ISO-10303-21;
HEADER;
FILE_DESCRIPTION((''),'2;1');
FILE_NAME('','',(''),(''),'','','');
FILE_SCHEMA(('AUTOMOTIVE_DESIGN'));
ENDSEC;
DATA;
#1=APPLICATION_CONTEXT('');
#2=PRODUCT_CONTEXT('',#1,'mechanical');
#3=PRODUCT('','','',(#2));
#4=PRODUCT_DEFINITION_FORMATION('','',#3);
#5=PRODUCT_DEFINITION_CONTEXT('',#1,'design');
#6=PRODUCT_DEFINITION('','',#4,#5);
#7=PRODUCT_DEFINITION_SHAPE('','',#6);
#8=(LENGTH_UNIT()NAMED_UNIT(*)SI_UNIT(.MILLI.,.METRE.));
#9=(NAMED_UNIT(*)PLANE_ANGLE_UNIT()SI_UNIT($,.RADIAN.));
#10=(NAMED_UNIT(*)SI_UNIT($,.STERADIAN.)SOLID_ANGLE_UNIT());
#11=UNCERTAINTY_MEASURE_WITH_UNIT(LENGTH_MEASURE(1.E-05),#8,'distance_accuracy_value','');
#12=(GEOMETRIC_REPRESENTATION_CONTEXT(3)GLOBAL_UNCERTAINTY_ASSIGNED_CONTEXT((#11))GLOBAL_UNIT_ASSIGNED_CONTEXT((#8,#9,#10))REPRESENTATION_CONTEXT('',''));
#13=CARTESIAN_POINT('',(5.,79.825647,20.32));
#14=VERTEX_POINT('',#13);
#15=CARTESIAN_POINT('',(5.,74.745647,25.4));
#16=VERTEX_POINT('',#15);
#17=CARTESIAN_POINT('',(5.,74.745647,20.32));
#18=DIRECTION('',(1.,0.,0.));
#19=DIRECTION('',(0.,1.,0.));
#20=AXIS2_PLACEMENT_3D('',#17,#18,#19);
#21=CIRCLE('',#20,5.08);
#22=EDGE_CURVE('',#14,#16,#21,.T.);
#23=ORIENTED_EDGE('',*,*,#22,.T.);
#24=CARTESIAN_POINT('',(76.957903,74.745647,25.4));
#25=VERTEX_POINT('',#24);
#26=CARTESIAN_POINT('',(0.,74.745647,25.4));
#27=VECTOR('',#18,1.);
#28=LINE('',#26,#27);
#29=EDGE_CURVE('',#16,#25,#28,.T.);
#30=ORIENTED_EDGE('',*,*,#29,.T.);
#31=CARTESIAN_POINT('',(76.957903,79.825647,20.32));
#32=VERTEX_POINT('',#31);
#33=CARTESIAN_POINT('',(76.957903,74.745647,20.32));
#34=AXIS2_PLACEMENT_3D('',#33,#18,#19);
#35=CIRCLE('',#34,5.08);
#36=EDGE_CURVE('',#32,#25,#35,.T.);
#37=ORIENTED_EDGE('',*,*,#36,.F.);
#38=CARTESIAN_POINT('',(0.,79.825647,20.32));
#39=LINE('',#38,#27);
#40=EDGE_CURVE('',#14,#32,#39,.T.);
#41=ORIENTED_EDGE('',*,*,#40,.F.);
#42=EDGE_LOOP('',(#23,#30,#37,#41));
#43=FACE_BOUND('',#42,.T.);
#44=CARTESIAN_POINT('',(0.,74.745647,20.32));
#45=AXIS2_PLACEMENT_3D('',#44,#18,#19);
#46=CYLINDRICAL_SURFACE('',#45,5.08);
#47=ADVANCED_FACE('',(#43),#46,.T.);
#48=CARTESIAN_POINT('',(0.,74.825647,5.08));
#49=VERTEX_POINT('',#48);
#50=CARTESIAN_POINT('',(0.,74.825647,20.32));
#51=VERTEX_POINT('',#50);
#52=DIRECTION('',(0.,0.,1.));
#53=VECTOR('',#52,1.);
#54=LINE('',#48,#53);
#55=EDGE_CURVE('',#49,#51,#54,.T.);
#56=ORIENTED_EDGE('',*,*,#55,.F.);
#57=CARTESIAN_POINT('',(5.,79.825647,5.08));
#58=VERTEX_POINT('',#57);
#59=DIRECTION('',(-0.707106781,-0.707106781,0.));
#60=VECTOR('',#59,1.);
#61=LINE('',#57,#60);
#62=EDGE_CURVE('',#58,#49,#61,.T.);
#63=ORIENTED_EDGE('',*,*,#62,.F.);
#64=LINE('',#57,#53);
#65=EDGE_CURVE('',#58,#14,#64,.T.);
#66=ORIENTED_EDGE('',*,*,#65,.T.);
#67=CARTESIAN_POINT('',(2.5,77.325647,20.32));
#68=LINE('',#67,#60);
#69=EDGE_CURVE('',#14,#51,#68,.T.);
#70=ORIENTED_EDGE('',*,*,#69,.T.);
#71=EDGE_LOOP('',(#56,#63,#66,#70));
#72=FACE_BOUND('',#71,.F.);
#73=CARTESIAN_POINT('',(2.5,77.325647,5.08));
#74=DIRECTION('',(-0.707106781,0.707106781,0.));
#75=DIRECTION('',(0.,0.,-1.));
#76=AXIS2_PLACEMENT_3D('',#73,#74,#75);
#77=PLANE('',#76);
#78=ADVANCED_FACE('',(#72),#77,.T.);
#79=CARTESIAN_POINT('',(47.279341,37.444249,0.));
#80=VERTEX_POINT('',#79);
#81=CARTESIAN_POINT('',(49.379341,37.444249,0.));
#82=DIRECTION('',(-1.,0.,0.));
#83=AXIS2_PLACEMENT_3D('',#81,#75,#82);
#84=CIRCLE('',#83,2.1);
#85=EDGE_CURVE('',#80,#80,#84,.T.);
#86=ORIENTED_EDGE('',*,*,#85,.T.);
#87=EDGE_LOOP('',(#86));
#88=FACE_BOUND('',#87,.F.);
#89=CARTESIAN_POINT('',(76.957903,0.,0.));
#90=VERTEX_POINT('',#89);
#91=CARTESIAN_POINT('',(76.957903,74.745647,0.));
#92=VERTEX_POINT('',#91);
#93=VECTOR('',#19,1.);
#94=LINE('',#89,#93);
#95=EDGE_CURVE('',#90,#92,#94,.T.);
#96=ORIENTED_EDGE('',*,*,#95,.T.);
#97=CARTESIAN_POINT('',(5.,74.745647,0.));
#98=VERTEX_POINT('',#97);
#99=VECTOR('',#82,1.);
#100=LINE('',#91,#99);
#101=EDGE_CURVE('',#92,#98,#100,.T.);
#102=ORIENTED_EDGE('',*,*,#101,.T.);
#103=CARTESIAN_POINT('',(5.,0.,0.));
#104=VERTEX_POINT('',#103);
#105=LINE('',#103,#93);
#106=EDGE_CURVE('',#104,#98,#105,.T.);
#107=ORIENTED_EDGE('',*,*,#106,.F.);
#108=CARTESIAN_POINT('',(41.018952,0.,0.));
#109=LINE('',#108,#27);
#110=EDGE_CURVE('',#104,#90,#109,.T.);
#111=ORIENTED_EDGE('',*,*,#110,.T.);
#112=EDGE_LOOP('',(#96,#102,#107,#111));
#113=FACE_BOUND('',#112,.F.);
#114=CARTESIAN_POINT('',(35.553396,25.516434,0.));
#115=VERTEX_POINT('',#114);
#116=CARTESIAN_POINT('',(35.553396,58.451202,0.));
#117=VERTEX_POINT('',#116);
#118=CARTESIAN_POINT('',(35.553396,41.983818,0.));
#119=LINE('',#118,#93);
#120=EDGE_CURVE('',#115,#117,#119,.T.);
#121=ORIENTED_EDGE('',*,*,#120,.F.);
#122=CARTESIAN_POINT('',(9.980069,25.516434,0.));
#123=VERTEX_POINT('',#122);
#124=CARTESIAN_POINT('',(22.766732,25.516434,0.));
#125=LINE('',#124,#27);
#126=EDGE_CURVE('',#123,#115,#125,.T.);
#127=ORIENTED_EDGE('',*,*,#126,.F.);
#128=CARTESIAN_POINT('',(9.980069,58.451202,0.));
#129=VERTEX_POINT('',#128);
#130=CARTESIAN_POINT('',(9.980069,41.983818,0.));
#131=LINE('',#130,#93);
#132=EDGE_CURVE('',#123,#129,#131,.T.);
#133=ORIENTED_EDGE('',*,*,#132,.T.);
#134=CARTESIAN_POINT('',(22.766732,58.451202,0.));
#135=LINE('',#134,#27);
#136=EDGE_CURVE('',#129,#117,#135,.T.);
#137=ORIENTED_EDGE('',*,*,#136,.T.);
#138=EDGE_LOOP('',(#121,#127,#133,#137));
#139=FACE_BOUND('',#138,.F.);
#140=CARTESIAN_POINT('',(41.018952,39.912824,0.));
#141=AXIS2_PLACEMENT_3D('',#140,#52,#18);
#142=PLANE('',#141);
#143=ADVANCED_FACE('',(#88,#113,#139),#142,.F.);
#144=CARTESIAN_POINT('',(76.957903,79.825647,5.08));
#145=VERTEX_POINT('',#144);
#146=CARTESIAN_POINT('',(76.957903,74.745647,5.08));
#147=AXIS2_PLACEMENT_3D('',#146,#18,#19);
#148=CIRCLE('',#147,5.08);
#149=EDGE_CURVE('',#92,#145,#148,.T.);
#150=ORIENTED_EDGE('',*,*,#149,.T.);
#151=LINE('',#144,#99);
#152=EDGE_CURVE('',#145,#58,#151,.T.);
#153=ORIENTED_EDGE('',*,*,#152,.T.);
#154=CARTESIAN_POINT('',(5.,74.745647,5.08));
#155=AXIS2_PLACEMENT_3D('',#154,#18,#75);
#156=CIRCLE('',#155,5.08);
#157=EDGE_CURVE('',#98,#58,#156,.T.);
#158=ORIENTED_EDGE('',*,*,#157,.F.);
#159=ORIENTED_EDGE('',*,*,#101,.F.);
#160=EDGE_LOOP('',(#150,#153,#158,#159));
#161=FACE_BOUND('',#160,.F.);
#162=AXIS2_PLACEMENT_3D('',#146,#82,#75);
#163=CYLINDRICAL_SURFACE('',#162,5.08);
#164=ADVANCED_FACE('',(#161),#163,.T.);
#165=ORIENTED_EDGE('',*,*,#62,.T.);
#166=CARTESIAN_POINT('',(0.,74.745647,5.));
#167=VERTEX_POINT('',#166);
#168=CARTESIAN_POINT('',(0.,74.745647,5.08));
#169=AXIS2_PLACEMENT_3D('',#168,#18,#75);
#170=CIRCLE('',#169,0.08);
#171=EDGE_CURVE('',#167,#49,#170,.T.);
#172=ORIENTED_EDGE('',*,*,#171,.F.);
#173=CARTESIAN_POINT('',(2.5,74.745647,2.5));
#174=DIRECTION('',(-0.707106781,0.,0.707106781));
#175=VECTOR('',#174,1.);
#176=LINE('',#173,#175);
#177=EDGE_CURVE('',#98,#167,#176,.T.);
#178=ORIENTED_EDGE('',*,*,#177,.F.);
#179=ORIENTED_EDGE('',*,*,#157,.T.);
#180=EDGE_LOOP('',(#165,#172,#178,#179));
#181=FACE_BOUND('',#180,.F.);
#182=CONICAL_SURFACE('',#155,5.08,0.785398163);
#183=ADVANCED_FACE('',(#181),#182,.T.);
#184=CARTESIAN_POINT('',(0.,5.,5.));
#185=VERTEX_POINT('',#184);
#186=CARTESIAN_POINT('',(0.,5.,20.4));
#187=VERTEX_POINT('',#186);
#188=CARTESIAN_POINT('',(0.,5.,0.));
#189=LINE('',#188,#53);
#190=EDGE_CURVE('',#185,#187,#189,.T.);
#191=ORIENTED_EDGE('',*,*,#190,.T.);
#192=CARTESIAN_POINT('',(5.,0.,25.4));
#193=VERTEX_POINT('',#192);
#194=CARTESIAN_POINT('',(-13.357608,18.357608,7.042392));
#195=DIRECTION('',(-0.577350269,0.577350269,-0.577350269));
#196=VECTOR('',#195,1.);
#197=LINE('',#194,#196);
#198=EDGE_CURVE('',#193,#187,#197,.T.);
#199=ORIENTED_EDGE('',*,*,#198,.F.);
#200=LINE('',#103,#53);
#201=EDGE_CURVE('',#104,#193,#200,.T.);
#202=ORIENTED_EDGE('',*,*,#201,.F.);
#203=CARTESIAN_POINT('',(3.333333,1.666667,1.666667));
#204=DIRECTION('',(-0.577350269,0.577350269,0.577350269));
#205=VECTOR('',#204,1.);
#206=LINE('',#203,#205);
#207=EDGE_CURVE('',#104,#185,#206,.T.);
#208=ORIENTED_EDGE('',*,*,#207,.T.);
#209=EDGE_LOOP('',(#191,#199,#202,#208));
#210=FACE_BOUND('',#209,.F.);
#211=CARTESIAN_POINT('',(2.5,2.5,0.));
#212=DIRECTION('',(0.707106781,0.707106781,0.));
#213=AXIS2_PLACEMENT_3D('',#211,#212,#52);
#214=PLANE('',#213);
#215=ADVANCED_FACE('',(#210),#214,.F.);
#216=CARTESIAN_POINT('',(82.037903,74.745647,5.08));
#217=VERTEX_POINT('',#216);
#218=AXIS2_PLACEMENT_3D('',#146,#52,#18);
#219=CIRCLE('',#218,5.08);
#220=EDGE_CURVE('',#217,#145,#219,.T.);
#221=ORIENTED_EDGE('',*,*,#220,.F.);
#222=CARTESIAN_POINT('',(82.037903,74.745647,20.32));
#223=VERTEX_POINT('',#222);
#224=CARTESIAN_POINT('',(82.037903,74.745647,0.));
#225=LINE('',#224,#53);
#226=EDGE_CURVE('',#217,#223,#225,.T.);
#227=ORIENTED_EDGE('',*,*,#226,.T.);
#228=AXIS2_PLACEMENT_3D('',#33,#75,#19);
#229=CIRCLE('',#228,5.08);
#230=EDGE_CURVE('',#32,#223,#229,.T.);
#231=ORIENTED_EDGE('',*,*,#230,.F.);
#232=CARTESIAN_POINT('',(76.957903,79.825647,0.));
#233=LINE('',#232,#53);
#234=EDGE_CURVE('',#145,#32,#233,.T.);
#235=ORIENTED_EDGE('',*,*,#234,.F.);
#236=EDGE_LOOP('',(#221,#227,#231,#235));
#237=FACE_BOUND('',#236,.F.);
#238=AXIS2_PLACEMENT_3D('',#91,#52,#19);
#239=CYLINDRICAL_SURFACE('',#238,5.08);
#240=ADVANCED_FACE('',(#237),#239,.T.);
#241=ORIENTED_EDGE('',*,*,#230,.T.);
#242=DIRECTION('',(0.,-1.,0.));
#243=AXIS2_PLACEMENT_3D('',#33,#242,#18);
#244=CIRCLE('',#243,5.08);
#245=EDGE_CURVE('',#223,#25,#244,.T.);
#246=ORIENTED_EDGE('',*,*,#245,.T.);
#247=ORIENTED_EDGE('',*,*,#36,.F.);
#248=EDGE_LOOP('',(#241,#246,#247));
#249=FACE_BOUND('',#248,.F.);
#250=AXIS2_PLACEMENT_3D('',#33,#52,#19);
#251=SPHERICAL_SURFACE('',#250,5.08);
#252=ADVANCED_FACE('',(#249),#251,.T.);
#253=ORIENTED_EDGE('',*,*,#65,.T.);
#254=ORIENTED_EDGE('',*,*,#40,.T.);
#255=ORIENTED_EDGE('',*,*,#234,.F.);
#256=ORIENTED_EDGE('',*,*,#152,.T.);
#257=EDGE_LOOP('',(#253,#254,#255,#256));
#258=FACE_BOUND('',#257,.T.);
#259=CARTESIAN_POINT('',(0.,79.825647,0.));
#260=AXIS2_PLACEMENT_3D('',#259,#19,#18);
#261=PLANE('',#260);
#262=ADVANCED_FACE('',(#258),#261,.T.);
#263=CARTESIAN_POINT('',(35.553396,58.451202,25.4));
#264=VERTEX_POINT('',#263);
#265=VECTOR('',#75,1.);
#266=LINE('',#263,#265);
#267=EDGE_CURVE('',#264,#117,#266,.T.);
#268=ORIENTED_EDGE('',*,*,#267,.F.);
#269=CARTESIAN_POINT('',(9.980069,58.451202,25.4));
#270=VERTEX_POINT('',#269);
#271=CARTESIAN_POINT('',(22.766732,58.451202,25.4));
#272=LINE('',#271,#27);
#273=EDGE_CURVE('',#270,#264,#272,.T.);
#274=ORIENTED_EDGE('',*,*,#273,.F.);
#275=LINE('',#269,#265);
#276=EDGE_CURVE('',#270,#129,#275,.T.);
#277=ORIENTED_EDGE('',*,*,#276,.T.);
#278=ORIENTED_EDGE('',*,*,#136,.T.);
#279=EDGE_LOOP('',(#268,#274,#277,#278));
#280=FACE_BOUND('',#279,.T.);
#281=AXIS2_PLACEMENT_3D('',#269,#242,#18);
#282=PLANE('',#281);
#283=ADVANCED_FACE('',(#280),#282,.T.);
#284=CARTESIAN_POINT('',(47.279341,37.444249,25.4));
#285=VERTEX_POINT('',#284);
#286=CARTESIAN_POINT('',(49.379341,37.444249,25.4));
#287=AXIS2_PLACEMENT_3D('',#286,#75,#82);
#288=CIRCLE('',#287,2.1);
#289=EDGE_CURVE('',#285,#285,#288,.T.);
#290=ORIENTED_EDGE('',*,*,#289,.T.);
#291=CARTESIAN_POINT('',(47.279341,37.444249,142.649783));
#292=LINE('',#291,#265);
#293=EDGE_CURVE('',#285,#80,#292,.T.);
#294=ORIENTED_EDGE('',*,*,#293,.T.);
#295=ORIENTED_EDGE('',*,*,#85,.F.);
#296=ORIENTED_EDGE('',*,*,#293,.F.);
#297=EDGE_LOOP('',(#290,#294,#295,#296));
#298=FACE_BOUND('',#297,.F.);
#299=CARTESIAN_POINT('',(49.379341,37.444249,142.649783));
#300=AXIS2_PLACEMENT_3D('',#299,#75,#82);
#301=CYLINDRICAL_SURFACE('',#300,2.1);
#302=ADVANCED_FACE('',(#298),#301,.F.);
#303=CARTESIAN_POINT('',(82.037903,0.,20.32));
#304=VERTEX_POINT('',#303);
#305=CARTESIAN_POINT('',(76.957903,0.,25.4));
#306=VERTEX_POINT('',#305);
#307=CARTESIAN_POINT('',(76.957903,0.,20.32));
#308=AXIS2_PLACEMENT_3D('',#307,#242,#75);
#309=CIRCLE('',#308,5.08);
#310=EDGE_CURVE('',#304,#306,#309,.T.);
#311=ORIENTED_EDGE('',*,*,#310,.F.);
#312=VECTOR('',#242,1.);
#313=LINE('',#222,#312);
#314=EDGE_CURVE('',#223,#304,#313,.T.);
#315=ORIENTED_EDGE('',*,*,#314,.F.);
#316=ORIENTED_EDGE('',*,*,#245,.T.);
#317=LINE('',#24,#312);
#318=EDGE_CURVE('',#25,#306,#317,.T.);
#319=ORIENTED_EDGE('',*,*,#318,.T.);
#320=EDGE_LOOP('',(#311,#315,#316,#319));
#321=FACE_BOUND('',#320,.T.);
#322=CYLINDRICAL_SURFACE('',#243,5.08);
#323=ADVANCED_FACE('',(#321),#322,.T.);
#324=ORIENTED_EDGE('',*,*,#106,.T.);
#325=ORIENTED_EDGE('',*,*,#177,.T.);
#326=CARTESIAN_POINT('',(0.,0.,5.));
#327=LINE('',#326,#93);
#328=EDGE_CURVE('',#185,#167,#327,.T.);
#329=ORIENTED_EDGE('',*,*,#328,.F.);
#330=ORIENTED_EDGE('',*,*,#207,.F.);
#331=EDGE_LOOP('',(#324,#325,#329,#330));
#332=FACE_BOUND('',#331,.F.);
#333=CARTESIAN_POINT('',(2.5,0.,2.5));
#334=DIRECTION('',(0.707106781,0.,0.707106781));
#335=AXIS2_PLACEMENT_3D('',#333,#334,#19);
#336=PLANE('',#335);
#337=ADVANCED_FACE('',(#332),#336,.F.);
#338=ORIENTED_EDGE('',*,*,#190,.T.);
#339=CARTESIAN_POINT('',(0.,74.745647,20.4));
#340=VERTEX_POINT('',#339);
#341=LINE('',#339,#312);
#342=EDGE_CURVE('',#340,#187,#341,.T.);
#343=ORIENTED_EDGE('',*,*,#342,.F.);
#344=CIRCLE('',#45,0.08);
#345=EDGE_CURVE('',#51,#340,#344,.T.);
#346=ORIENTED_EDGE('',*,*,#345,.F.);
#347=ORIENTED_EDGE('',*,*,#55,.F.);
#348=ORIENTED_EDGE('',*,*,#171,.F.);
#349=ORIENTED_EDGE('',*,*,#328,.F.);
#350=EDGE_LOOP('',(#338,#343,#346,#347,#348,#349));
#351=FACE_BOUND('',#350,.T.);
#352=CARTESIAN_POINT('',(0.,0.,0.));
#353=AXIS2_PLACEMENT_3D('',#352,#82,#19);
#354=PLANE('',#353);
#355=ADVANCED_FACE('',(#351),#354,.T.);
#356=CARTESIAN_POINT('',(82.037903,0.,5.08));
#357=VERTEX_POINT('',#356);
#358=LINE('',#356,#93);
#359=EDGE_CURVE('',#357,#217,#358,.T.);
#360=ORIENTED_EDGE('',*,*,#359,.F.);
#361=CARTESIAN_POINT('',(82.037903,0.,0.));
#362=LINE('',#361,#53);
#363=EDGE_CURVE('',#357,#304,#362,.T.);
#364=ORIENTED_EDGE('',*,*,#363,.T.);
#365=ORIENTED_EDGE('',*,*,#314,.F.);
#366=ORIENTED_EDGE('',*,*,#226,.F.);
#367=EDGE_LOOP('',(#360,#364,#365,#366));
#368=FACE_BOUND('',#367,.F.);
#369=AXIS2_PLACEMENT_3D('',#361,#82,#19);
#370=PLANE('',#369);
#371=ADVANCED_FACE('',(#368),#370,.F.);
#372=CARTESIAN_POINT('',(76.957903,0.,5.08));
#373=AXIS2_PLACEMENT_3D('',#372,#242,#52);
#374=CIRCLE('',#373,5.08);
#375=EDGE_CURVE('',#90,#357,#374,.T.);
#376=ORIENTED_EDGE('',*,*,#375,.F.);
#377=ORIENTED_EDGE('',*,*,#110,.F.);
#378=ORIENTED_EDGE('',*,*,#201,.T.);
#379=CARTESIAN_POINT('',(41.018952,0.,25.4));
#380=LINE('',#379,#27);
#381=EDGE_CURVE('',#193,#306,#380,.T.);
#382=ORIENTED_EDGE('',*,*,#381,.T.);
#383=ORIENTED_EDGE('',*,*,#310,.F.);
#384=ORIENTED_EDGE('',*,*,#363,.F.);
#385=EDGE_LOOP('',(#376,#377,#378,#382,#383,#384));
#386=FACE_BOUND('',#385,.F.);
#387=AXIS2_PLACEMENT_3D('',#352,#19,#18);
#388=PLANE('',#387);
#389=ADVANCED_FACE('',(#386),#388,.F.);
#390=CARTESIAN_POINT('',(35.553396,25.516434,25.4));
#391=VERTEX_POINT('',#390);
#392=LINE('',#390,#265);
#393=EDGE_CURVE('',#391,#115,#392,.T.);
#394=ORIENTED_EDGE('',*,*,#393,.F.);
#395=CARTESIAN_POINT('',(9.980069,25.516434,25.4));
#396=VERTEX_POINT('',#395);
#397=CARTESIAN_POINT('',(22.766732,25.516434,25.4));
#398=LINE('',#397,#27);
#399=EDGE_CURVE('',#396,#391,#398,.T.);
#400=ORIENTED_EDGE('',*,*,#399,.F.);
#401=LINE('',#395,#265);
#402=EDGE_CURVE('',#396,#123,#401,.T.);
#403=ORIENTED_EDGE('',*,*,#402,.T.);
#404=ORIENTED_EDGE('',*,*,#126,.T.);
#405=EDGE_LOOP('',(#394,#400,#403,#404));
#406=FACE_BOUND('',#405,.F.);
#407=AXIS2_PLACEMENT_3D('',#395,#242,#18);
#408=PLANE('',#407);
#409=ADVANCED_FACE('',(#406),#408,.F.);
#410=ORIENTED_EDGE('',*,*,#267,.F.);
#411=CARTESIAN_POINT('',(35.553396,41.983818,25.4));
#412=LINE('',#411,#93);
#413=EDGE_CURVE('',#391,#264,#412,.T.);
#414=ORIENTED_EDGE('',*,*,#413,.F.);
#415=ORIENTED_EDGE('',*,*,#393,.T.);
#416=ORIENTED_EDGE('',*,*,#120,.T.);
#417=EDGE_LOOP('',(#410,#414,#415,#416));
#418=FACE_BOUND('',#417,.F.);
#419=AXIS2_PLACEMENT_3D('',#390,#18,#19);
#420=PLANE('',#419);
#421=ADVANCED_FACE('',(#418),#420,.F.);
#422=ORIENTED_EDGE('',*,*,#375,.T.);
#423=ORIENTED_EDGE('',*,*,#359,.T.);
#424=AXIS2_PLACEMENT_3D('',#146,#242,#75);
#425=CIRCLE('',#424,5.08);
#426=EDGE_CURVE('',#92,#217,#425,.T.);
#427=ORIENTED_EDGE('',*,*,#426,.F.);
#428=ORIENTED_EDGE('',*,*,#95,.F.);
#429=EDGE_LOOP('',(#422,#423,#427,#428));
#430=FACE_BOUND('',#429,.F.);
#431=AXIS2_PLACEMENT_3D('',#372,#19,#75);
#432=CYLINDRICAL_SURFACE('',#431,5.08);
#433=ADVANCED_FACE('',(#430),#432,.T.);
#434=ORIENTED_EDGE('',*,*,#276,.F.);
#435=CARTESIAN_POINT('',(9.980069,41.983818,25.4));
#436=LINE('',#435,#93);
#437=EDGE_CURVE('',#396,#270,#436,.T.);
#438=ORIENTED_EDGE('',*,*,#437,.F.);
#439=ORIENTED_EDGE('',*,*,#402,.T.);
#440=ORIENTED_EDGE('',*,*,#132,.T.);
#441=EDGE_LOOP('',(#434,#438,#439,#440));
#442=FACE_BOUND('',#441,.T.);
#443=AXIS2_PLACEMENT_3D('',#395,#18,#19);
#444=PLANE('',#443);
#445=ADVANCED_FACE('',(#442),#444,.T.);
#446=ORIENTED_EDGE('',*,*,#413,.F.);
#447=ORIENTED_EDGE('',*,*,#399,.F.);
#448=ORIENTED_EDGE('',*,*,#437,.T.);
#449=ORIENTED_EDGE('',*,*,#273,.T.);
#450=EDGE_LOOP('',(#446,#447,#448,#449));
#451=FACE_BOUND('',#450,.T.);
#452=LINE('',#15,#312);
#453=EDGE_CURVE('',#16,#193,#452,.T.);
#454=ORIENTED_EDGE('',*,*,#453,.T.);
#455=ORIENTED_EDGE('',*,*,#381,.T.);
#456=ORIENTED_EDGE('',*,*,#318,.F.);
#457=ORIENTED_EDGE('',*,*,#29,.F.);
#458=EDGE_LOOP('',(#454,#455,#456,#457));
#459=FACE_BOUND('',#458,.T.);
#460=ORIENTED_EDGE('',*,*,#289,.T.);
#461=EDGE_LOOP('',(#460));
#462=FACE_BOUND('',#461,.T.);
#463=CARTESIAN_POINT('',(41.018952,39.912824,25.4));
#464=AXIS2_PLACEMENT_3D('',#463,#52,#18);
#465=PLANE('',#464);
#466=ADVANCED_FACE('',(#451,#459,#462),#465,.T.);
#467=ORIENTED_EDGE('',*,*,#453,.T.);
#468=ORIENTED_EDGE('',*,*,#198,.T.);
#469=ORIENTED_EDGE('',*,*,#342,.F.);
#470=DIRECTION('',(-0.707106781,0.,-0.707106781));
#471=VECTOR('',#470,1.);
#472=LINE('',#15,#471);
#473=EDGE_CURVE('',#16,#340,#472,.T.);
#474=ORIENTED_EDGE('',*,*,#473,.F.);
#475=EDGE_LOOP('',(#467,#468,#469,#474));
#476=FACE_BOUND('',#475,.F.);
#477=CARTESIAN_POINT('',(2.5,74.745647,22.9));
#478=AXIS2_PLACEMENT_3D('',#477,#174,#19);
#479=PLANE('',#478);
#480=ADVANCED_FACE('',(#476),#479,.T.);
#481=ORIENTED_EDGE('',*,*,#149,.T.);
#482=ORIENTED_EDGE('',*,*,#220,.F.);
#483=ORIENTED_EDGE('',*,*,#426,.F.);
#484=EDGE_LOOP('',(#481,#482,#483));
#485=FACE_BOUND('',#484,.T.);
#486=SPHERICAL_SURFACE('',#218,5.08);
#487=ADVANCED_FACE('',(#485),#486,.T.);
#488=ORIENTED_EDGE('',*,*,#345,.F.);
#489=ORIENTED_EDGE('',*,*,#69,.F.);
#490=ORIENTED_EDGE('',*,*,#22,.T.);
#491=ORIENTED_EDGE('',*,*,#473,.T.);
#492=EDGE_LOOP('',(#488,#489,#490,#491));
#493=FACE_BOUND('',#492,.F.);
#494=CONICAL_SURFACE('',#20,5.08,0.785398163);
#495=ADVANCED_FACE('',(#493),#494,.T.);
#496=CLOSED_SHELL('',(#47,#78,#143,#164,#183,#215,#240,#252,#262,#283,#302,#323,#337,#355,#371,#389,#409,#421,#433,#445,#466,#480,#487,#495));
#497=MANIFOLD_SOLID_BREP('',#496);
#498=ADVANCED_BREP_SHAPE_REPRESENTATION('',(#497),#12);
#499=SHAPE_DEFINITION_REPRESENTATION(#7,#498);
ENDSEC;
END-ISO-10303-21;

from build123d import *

# Parameters (mm, degrees)
F0_W     = 82.0379033685
F0_H     = 79.8256471753
F1_DEPTH = 25.4
F3_D     = 4.2
F4_R     = 5.08
F5_R     = 5.08
F6_R     = 5.08
F7_W     = 25.5733272061
F7_H     = 32.9347681254
F8_DEPTH = 25.4
F9_SIZE  = 5


with BuildPart() as f1:
    # F0 (on Top) → F1 (new body)
    with BuildSketch(Plane.XY):
        with Locations((41.0189516842, 39.9128235877)):
            Rectangle(F0_W, F0_H)
    extrude(amount=F1_DEPTH)

    # F3 (through all)
    with Locations(Plane.XY.offset(25.4)):
        with Locations((49.3793413043, 37.4442487955)):
            Hole(F3_D / 2)

    # F4
    f4_edges = [f1.edges().sort_by_distance(p)[0] for p in [
        (82.037903, 79.825647, 12.7),
    ]]
    fillet(f4_edges, radius=F4_R)

    # F5
    f5_edges = [f1.edges().sort_by_distance(p)[0] for p in [
        (82.037903, 37.372824, 0),
    ]]
    fillet(f5_edges, radius=F5_R)

    # F6
    f6_edges = [f1.edges().sort_by_distance(p)[0] for p in [
        (38.478952, 79.825647, 25.4),
    ]]
    fillet(f6_edges, radius=F6_R)

    # F7 (on face) → F8 (cut)
    with BuildSketch(Plane.XY.offset(25.4)):
        with Locations((22.7667321451, 41.983817704)):
            Rectangle(F7_W, F7_H)
    extrude(amount=-F8_DEPTH, mode=Mode.SUBTRACT)

    # F9
    f9_edges = [f1.edges().sort_by_distance(p)[0] for p in [
        (0, 79.825647, 12.7),
        (0, 78.33775, 23.912102),
        (0, 78.33775, 1.487898),
        (0, 37.372824, 25.4),
        (0, 37.372824, 0),
        (0, 0, 12.7),
    ]]
    chamfer(f9_edges, length=F9_SIZE)


solid = f1.part
